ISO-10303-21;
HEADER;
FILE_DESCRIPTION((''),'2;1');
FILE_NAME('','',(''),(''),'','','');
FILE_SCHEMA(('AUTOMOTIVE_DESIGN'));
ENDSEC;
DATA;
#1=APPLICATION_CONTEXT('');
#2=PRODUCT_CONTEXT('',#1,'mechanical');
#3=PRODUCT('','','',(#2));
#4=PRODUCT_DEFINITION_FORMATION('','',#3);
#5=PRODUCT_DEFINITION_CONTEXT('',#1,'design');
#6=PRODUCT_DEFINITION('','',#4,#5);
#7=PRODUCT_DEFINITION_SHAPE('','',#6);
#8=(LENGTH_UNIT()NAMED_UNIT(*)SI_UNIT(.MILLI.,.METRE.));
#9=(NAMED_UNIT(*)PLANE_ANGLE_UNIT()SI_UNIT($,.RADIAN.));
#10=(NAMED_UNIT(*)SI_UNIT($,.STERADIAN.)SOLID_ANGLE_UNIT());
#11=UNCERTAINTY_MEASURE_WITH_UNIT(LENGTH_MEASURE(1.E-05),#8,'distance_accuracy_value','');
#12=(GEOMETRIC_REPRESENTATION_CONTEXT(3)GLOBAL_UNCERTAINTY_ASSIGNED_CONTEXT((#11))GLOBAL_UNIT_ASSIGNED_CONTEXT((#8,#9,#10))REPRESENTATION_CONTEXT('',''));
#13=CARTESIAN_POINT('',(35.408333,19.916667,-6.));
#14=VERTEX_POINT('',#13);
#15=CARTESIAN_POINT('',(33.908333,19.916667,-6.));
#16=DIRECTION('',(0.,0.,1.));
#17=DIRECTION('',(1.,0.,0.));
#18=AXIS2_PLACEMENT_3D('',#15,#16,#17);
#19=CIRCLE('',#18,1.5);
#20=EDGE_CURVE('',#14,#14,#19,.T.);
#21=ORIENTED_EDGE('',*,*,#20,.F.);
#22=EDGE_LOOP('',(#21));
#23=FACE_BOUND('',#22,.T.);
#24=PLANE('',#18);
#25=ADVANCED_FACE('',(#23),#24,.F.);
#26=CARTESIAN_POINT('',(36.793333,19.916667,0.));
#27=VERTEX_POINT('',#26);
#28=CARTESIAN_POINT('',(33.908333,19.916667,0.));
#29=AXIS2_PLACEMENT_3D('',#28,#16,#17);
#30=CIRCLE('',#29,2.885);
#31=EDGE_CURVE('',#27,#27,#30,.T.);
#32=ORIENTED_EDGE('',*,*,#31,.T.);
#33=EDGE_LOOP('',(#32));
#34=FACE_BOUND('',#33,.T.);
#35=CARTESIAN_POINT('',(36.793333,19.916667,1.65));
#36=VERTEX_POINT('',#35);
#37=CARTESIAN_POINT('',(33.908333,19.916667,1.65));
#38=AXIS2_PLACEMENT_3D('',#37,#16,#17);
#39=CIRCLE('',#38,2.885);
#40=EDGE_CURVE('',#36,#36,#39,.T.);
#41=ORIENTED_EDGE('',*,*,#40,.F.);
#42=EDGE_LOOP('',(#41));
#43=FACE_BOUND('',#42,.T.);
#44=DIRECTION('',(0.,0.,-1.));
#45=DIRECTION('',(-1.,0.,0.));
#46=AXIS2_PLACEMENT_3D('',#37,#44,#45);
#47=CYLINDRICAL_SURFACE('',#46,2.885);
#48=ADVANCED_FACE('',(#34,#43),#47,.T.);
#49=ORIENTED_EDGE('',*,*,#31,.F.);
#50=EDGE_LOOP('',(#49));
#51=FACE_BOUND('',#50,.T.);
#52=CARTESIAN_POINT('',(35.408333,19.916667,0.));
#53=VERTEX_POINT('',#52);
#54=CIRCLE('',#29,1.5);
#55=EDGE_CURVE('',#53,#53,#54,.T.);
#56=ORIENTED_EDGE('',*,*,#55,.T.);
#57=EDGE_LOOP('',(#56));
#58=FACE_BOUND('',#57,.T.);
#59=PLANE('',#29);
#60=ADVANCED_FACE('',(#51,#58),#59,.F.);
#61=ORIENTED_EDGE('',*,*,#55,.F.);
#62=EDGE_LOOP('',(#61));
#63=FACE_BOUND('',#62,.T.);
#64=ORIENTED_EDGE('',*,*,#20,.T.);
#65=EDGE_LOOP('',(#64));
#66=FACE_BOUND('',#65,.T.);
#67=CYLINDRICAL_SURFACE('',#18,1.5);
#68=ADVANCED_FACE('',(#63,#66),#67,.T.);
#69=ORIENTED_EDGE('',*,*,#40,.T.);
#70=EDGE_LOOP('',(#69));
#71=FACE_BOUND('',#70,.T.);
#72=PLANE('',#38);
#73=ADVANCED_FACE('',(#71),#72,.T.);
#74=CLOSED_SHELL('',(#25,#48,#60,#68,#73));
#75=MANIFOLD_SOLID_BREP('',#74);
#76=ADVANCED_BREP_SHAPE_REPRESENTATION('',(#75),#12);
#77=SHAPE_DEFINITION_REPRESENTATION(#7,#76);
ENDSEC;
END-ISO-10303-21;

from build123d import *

# Parameters (mm, degrees)
SKETCH_0_R              = 2.885
SALIENTE_EXTRUIR1_DEPTH = 1.65
CORTE_EXTERIOR_R        = 1.5
SALIENTE_EXTRUIR2_DEPTH = 6


with BuildPart() as part:
    # Sketch 0 → Saliente-Extruir1 (new body)
    with BuildSketch(Plane.XY):
        with Locations((33.908333333, 19.916666667)):
            Circle(SKETCH_0_R)
    extrude(amount=SALIENTE_EXTRUIR1_DEPTH)

    # Corte exterior → Saliente-Extruir2 (add)
    with BuildSketch(Plane.XY):
        with Locations((33.908333333, 19.916666667)):
            Circle(CORTE_EXTERIOR_R)
    extrude(amount=-SALIENTE_EXTRUIR2_DEPTH)


solid = part.part
